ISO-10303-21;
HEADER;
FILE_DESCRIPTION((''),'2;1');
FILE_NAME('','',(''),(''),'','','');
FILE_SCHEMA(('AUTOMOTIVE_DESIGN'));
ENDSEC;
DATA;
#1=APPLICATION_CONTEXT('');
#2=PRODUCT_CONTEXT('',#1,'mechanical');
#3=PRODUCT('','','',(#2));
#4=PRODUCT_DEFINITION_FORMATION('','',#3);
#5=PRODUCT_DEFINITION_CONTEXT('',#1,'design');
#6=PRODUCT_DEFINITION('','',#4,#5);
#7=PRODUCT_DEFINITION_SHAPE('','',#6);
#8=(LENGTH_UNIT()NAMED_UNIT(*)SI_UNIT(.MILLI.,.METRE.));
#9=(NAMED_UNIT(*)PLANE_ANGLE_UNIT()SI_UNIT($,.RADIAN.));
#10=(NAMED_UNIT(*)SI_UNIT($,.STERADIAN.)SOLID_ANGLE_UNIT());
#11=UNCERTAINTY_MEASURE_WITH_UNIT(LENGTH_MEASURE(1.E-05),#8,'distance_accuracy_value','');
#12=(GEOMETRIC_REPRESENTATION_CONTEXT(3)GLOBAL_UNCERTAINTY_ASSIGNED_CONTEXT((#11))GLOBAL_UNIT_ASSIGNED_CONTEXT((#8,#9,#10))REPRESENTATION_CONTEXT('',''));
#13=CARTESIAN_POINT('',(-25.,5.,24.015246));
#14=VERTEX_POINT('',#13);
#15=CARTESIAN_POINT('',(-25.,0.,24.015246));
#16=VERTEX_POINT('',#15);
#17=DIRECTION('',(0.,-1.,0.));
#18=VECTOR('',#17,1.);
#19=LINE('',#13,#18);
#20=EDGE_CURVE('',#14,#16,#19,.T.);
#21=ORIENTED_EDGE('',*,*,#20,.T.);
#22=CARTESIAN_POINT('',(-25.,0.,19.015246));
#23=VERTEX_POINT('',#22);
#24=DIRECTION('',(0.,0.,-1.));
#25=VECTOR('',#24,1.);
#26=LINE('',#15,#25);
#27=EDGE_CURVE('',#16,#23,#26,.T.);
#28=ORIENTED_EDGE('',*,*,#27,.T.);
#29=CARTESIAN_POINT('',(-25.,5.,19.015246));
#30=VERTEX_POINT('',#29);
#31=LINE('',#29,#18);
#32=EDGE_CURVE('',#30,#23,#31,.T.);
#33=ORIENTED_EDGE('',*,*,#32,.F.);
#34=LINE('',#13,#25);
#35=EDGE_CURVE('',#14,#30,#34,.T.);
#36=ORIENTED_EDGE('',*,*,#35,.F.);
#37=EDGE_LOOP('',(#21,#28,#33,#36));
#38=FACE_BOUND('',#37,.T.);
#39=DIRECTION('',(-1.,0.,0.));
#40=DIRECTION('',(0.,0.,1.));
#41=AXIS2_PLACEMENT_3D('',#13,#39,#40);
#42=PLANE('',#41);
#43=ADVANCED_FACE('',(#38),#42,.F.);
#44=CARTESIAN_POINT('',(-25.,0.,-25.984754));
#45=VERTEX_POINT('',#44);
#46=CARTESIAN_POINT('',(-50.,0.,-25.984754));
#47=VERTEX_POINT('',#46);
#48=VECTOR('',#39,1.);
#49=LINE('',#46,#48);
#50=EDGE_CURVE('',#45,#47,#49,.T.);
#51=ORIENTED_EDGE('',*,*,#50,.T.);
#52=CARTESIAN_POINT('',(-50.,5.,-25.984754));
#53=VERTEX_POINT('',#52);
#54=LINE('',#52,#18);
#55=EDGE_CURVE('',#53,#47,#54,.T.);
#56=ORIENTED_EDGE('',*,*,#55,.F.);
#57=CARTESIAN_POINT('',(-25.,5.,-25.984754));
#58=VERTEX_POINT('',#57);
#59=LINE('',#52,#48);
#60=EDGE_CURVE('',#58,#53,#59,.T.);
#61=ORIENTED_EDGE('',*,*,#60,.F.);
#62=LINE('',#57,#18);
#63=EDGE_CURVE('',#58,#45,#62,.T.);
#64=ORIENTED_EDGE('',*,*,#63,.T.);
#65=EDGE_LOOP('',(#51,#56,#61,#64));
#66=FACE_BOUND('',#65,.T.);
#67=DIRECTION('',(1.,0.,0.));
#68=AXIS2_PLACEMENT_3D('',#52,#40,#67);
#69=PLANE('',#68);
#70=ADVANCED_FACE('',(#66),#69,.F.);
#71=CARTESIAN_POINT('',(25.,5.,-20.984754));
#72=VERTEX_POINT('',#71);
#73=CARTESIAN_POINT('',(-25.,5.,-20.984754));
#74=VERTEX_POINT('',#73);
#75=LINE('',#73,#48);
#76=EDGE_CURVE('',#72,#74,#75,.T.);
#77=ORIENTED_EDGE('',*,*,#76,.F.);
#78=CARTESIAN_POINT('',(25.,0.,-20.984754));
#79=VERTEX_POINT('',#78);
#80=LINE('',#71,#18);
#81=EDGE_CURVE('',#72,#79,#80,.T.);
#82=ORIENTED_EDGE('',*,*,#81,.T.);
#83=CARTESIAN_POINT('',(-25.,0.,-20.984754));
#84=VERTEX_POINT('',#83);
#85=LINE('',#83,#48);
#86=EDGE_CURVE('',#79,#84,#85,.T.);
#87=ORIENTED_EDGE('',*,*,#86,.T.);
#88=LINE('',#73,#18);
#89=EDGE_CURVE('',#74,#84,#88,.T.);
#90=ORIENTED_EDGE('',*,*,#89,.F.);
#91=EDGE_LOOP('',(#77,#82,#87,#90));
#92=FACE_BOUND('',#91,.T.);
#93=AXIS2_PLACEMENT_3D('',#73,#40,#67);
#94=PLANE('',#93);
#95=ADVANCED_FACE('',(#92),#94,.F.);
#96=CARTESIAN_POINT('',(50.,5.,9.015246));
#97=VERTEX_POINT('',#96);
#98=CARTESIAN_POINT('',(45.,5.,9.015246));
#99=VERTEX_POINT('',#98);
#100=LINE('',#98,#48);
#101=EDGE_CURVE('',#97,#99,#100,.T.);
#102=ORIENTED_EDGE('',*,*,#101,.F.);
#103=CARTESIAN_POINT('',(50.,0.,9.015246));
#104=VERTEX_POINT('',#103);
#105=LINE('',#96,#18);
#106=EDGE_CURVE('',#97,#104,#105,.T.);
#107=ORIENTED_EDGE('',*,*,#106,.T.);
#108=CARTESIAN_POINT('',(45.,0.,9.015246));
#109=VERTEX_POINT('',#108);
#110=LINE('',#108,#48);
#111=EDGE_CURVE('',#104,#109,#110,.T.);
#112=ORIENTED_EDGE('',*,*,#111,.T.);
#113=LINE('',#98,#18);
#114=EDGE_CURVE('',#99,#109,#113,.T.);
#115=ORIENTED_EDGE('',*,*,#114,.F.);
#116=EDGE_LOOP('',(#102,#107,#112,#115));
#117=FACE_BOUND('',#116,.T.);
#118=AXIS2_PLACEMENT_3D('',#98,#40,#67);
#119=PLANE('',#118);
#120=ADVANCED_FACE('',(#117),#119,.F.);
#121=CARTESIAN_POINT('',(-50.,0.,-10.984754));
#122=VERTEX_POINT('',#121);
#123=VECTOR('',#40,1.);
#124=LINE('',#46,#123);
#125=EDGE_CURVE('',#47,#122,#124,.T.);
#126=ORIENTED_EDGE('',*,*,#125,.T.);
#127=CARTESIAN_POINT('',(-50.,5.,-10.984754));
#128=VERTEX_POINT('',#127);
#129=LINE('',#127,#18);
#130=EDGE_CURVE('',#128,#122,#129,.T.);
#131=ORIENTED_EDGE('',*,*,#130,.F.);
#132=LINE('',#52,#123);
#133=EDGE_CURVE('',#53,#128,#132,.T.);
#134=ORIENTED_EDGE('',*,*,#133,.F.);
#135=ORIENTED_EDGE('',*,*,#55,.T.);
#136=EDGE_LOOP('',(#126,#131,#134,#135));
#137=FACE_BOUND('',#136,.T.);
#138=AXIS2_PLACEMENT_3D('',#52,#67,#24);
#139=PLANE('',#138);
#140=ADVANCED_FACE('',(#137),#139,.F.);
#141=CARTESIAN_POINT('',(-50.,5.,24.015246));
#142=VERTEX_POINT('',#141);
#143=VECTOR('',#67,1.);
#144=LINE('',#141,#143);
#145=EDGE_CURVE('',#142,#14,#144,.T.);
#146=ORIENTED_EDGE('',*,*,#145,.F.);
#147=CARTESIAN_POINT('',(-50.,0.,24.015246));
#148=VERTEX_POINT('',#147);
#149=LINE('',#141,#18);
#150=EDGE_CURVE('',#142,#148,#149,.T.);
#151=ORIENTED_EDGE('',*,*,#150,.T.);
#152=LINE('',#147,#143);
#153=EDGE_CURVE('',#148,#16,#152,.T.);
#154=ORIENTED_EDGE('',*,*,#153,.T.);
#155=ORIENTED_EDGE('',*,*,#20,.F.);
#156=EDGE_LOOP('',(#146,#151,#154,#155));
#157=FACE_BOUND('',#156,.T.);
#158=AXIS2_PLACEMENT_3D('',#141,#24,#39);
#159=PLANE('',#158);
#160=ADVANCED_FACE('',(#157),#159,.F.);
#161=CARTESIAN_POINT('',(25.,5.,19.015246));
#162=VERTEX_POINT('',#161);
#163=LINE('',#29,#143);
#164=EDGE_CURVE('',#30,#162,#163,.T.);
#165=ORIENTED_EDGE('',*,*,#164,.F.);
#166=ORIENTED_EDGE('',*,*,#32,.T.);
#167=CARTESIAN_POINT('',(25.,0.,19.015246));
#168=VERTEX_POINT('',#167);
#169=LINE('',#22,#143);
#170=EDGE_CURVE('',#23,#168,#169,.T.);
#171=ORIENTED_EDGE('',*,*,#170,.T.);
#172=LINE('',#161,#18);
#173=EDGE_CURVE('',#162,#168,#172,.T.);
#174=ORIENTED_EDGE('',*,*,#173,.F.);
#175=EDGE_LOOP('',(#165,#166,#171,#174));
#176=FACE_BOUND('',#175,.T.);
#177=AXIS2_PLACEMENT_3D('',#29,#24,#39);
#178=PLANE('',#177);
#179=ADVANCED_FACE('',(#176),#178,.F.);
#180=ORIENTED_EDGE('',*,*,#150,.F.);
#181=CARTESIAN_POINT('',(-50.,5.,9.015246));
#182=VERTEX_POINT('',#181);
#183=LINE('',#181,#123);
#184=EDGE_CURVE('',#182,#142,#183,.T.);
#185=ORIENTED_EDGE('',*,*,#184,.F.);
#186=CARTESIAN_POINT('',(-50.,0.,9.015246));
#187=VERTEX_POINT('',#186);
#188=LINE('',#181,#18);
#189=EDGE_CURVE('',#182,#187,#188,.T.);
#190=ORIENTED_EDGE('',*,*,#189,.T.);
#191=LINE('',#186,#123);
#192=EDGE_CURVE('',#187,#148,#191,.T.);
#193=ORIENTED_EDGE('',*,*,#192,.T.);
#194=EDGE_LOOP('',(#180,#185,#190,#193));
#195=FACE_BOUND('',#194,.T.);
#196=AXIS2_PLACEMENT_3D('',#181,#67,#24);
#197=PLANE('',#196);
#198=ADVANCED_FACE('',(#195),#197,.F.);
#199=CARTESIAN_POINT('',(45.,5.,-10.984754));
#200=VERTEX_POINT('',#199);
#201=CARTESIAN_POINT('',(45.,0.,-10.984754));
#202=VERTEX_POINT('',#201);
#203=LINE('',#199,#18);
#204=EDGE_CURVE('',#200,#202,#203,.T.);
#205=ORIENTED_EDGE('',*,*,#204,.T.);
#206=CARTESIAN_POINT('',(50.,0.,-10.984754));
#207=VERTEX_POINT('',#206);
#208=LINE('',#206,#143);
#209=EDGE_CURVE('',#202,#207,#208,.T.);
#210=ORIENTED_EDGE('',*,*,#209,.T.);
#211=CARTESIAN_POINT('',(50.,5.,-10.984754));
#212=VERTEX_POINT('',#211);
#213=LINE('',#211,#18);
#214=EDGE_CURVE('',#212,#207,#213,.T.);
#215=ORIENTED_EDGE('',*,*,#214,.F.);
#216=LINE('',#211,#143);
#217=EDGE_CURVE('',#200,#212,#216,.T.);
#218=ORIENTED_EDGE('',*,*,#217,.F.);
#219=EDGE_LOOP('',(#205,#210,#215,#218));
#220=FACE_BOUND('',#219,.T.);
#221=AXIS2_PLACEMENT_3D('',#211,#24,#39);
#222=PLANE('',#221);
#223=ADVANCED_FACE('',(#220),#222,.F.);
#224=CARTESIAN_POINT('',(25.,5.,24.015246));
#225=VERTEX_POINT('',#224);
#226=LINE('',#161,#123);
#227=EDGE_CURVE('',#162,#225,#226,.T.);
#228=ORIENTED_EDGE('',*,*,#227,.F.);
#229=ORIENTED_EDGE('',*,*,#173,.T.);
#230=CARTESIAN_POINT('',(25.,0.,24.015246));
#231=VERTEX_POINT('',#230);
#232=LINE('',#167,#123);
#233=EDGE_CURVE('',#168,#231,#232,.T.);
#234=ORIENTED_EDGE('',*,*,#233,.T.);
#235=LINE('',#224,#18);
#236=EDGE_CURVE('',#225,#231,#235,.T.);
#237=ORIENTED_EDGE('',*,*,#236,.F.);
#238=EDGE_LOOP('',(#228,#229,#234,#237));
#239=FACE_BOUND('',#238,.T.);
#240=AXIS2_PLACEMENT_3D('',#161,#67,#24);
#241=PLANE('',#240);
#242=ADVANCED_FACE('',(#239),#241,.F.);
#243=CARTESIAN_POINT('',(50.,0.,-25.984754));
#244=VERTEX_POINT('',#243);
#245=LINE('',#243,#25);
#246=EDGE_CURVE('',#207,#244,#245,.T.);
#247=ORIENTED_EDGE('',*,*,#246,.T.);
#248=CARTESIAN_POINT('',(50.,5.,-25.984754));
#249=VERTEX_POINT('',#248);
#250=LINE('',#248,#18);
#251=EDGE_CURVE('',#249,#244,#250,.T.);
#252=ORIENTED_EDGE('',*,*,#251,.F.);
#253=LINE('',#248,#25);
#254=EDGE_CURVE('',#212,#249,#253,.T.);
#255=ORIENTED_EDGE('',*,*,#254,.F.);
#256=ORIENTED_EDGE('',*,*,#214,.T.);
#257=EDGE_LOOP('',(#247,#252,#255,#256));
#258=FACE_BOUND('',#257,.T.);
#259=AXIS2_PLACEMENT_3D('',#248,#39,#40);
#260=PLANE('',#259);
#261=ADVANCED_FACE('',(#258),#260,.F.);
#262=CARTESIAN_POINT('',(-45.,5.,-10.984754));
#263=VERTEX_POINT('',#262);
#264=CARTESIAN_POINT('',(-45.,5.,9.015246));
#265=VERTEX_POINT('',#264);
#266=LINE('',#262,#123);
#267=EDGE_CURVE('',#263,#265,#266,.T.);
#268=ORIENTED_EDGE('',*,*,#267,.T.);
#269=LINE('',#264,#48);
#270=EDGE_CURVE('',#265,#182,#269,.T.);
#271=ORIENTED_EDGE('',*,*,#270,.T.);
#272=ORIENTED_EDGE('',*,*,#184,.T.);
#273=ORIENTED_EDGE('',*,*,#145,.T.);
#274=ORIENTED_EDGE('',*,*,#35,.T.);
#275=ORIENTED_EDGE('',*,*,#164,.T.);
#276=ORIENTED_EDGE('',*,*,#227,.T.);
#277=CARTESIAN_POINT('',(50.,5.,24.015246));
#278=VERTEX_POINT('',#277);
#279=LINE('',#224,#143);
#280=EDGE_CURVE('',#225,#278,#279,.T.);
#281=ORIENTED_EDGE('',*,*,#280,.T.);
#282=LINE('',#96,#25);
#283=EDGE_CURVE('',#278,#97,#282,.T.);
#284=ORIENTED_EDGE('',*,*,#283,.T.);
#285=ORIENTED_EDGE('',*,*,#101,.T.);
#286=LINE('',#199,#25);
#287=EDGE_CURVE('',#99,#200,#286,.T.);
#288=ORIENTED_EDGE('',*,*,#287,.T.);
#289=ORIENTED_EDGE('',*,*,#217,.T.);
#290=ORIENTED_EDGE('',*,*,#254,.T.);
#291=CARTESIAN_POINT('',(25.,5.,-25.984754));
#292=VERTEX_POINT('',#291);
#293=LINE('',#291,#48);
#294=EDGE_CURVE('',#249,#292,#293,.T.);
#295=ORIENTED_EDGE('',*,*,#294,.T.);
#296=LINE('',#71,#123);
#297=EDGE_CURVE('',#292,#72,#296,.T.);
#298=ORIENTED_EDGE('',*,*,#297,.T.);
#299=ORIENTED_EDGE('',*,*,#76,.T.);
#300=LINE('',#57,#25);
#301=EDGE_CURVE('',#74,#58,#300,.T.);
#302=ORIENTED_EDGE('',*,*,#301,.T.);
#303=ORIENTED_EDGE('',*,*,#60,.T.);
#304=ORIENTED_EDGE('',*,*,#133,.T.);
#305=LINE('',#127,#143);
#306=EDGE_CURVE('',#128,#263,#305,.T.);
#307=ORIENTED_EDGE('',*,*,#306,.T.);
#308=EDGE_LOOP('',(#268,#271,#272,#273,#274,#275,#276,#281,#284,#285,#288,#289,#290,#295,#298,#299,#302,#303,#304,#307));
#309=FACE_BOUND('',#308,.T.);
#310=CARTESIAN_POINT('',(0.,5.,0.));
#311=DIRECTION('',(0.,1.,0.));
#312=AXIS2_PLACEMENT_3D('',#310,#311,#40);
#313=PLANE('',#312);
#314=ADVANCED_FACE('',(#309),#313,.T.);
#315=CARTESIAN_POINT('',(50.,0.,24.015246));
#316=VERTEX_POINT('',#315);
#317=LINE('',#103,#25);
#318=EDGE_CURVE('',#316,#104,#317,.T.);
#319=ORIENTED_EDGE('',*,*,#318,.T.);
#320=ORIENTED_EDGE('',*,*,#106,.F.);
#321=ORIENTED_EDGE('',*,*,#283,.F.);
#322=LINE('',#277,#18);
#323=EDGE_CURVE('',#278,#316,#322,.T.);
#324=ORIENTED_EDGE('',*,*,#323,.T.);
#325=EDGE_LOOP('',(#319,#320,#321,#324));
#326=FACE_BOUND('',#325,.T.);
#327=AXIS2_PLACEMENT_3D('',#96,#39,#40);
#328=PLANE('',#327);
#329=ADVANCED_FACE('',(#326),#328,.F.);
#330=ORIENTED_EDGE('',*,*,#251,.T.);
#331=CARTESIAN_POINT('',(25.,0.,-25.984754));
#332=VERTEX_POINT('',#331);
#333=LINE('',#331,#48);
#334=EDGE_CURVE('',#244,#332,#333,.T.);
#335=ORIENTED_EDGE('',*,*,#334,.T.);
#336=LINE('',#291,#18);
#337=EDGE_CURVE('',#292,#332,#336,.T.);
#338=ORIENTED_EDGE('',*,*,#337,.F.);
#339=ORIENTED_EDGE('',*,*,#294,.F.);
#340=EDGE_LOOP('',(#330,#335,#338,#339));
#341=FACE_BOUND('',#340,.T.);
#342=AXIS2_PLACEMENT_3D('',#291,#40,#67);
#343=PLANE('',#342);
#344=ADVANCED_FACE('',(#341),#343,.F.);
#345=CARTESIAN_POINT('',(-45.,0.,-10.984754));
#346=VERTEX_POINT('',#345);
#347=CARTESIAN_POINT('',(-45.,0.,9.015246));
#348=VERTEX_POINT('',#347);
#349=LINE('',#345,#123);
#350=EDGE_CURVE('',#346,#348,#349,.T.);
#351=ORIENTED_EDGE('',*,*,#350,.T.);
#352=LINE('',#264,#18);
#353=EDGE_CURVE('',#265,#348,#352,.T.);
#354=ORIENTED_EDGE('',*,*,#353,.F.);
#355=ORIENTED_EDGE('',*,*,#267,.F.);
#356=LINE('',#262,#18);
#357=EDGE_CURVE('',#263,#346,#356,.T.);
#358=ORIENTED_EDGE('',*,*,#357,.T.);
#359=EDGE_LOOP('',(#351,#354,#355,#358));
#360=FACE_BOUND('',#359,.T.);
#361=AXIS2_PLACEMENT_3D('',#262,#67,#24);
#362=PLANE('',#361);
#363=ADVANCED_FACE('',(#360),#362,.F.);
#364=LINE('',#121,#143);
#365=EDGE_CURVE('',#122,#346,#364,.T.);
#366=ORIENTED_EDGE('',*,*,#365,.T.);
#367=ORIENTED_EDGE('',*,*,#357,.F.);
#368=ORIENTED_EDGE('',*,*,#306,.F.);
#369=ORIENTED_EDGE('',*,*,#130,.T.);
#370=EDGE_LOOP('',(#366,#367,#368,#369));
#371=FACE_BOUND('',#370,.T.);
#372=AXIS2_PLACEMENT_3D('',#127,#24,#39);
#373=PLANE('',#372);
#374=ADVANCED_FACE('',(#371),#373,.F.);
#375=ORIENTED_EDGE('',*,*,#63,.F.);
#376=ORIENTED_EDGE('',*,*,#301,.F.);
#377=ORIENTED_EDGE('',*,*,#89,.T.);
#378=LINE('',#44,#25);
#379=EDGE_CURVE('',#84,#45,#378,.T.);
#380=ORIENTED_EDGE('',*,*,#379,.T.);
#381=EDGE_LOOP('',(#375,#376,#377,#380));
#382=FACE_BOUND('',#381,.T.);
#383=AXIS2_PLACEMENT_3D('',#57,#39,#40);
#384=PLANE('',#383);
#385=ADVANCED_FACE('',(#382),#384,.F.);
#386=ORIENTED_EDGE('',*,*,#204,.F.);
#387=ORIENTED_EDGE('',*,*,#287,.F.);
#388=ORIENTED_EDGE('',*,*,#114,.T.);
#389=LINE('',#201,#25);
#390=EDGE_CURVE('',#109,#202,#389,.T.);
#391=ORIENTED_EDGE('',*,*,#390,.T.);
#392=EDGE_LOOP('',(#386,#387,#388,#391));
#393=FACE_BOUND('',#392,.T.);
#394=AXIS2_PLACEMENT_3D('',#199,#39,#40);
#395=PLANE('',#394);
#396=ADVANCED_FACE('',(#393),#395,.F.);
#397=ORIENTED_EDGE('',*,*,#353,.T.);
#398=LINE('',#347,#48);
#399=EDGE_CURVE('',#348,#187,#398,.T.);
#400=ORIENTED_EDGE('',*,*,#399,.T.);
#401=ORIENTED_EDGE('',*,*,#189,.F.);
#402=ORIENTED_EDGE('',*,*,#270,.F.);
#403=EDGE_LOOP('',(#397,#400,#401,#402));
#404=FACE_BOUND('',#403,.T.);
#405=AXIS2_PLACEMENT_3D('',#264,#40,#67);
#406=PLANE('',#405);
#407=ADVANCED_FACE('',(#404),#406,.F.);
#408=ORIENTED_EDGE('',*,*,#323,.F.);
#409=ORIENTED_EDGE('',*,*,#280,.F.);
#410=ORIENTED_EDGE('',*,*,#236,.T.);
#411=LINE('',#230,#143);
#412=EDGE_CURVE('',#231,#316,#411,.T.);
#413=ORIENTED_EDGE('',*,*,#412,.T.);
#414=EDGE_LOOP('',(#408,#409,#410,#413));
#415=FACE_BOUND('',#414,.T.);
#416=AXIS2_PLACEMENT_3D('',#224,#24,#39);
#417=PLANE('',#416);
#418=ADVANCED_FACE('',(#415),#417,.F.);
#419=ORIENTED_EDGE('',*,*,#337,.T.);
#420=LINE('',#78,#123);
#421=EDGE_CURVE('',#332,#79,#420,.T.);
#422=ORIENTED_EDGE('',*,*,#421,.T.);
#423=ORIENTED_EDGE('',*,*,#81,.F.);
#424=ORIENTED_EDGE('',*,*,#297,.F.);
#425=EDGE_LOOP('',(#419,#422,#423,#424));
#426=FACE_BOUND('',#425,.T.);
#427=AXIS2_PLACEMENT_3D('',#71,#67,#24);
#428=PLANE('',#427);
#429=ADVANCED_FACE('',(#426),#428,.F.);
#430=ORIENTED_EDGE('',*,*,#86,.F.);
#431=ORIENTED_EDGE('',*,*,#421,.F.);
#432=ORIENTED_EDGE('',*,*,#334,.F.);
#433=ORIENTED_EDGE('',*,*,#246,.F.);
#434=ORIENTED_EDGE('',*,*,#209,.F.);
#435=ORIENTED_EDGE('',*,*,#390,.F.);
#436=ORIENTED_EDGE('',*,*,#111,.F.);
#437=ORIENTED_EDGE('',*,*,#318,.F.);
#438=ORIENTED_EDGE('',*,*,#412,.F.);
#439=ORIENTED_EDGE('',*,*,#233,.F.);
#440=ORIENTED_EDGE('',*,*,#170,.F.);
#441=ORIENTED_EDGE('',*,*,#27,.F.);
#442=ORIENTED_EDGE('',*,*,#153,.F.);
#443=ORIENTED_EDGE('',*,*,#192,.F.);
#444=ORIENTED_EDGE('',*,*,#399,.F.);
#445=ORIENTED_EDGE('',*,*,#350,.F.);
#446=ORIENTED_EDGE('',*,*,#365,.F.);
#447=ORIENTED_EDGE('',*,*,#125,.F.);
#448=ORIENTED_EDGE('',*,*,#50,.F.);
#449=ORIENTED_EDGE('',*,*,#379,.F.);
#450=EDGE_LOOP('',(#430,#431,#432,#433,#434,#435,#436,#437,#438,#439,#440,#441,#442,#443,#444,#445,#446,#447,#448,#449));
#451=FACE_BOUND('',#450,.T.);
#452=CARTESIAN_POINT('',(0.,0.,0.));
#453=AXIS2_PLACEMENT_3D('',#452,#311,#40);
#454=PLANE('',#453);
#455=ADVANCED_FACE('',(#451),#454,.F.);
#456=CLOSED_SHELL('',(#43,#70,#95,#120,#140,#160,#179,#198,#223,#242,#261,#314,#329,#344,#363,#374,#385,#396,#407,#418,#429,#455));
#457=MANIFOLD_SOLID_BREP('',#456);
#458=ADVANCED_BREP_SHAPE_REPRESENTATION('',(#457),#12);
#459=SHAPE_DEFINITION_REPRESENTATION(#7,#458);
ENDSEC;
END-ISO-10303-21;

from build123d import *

# Parameters (mm, degrees)
BOSS_EXTRUDE1_DEPTH = 5


with BuildPart() as part:
    # Sketch1 → Boss-Extrude1 (new body)
    with BuildSketch(Plane(origin=(0, 0, 0), x_dir=(1, 0, 0), z_dir=(0, 1, 0))):
        Polygon((-50, -9.015246381), (-50, -24.015246381), (-25, -24.015246381), (-25, -19.015246381), (25, -19.015246381), (25, -24.015246381), (50, -24.015246381), (50, -9.015246381), (45, -9.015246381), (45, 10.984753619), (50, 10.984753619), (50, 25.984753619), (25, 25.984753619), (25, 20.984753619), (-25, 20.984753619), (-25, 25.984753619), (-50, 25.984753619), (-50, 10.984753619), (-45, 10.984753619), (-45, -9.015246381), align=None)
    extrude(amount=BOSS_EXTRUDE1_DEPTH)


solid = part.part
